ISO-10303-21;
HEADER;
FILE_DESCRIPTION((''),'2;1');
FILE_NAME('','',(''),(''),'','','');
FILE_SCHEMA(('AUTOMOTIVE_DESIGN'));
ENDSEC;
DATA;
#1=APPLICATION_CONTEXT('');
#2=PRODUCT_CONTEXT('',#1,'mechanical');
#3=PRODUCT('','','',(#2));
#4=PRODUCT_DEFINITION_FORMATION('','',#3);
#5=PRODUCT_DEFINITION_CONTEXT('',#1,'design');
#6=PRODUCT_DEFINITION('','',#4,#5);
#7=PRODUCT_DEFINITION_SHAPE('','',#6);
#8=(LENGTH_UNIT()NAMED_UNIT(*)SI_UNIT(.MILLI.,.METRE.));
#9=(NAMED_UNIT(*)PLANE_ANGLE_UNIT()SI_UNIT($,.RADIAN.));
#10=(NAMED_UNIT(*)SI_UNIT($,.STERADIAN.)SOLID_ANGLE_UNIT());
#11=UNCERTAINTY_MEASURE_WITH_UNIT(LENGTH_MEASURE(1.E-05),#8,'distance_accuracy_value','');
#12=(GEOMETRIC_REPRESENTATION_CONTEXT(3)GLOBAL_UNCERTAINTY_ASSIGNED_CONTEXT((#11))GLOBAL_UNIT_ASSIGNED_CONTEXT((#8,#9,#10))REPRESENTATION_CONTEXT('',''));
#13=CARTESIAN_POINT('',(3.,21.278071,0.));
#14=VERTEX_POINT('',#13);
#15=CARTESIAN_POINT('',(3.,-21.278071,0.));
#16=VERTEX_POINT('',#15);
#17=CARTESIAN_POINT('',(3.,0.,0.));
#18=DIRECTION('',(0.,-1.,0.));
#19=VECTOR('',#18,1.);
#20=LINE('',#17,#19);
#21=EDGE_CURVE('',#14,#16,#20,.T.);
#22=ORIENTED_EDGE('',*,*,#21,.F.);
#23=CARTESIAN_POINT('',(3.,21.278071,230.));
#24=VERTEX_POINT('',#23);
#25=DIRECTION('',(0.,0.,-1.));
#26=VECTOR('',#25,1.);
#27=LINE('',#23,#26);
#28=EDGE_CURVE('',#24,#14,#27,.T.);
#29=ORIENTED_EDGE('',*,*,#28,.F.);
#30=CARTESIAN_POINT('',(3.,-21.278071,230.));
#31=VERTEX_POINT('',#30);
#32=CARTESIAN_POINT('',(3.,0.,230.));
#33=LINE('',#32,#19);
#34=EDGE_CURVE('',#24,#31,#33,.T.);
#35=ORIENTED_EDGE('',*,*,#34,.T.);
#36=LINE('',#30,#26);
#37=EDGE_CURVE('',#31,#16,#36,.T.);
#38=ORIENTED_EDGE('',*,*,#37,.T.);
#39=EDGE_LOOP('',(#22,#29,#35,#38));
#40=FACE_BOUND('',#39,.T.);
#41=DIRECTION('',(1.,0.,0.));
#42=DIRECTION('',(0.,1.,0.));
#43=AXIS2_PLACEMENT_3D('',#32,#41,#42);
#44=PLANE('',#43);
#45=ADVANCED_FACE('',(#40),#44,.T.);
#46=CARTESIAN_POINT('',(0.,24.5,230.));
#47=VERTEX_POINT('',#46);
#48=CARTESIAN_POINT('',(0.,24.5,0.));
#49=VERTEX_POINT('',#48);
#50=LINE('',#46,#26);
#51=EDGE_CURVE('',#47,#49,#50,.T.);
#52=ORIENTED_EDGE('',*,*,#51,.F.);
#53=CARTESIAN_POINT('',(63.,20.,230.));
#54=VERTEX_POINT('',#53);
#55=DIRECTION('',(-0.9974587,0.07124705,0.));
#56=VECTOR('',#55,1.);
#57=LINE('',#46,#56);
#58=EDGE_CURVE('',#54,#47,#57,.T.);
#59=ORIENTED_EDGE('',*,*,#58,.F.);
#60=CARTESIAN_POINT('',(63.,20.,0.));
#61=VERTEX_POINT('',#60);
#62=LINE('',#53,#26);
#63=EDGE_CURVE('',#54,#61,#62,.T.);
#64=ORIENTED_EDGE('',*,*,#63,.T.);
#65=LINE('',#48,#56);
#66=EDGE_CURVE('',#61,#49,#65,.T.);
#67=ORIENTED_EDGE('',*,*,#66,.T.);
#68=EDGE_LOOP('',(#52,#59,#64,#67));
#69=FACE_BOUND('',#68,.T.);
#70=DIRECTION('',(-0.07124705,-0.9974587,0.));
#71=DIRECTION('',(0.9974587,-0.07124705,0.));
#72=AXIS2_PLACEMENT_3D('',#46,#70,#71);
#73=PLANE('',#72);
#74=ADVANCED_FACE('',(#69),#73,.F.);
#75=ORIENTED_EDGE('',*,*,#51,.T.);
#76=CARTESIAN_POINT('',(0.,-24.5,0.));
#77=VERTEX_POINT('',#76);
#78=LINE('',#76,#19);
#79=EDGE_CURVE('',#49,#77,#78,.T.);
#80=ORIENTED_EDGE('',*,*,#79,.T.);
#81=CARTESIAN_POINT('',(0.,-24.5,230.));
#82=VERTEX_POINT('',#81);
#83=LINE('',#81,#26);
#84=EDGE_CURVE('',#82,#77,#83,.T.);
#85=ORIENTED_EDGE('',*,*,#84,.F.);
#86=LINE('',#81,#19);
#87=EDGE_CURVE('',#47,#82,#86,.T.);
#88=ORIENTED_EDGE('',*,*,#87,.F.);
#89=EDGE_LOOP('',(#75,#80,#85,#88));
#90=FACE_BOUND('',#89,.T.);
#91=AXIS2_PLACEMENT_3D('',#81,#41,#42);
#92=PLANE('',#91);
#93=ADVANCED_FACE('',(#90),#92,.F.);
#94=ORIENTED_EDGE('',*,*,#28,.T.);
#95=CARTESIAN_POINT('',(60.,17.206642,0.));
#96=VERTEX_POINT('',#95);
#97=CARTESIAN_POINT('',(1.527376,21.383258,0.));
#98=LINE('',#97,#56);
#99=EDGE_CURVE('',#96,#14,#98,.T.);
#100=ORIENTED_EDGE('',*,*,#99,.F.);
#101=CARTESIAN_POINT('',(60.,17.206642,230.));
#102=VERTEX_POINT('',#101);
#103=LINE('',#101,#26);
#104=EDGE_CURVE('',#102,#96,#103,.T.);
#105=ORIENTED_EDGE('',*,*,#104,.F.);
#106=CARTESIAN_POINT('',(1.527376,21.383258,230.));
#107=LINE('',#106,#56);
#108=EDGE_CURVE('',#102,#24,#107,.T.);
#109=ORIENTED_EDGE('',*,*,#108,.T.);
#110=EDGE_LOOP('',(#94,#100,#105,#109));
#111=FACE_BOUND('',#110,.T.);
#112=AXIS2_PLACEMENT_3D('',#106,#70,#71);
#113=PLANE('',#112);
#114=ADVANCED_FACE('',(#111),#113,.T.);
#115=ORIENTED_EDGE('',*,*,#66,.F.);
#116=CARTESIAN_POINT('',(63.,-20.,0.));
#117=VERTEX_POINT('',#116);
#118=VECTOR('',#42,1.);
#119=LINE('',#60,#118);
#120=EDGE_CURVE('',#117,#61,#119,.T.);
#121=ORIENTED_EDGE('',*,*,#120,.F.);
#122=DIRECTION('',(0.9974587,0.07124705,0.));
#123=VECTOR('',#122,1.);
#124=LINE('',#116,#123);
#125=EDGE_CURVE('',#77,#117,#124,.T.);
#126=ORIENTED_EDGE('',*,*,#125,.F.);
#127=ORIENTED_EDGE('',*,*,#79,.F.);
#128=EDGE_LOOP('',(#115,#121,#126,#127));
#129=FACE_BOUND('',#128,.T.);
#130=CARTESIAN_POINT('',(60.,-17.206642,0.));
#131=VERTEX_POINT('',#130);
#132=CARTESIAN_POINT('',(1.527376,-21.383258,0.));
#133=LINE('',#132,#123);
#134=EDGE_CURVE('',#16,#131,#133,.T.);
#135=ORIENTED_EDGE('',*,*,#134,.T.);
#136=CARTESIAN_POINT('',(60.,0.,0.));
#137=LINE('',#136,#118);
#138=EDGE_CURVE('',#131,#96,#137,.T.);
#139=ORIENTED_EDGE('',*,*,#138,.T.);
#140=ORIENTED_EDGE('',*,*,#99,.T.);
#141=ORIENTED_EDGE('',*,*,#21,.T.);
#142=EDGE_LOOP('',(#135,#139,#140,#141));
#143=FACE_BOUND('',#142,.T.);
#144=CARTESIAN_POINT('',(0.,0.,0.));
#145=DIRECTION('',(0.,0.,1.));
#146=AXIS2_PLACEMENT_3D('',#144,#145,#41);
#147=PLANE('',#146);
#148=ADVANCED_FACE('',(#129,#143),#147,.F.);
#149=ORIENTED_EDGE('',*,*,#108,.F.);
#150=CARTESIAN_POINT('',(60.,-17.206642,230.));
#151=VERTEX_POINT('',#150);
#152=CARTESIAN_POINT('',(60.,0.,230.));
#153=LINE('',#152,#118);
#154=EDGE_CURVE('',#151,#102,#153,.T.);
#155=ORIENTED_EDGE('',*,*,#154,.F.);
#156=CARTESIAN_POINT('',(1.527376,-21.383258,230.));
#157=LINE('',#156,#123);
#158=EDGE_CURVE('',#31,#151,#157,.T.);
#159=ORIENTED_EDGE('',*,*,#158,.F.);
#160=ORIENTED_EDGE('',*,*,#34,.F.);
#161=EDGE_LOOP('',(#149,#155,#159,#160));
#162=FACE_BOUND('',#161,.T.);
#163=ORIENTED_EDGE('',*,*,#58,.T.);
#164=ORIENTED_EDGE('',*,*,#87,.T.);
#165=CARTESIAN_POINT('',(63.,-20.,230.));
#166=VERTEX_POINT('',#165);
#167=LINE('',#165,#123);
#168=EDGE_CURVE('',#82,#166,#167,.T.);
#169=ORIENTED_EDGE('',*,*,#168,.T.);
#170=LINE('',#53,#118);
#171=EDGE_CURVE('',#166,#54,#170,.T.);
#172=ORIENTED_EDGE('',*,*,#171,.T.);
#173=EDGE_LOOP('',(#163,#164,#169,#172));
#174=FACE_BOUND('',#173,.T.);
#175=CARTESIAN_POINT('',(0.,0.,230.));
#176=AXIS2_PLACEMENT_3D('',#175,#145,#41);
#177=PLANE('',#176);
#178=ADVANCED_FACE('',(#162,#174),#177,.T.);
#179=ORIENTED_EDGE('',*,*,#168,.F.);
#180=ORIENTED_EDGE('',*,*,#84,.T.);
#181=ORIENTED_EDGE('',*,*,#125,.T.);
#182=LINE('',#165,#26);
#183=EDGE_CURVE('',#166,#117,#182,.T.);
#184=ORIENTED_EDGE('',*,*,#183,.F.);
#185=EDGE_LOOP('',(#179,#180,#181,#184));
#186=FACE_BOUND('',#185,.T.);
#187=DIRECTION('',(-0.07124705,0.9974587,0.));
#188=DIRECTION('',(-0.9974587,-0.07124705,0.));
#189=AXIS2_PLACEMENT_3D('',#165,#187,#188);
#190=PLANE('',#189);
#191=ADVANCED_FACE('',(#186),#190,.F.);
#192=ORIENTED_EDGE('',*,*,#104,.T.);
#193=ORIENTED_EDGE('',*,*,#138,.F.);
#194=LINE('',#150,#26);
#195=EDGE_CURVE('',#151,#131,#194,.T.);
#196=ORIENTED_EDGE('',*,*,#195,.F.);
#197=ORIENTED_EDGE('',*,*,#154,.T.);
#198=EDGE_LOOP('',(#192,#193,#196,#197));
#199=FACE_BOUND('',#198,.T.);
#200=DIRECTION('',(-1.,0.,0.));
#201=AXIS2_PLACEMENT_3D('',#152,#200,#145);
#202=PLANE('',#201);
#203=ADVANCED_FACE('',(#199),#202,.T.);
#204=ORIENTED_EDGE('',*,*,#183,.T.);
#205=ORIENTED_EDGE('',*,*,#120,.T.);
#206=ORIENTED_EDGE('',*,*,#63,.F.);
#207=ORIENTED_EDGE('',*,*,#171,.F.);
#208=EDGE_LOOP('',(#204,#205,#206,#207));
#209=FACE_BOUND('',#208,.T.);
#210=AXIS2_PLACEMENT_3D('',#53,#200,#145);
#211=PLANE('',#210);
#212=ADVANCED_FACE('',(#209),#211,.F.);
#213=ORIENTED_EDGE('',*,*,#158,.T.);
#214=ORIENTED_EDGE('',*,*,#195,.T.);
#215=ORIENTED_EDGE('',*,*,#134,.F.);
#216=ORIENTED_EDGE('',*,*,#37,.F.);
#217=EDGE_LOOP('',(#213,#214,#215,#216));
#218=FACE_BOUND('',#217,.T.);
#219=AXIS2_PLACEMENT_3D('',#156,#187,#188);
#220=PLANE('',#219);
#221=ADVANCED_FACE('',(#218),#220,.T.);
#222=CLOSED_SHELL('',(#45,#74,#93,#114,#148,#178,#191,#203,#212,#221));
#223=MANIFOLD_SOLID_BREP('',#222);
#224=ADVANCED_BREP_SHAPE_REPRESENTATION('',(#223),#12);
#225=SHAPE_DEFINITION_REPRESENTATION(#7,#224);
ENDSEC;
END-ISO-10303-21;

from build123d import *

# Parameters (mm, degrees)
EXTRUDE_THIN1_DEPTH = 230


with BuildPart() as part:
    # Sketch1 → Extrude-Thin1 (new body)
    with BuildSketch(Plane.XY):
        Polygon((0, -24.5), (0, 24.5), (63, 20), (63, -20), align=None)
        Polygon((3, -21.278070961), (3, 21.278070961), (60, 17.20664239), (60, -17.20664239), align=None, mode=Mode.SUBTRACT)
    extrude(amount=EXTRUDE_THIN1_DEPTH)


solid = part.part
